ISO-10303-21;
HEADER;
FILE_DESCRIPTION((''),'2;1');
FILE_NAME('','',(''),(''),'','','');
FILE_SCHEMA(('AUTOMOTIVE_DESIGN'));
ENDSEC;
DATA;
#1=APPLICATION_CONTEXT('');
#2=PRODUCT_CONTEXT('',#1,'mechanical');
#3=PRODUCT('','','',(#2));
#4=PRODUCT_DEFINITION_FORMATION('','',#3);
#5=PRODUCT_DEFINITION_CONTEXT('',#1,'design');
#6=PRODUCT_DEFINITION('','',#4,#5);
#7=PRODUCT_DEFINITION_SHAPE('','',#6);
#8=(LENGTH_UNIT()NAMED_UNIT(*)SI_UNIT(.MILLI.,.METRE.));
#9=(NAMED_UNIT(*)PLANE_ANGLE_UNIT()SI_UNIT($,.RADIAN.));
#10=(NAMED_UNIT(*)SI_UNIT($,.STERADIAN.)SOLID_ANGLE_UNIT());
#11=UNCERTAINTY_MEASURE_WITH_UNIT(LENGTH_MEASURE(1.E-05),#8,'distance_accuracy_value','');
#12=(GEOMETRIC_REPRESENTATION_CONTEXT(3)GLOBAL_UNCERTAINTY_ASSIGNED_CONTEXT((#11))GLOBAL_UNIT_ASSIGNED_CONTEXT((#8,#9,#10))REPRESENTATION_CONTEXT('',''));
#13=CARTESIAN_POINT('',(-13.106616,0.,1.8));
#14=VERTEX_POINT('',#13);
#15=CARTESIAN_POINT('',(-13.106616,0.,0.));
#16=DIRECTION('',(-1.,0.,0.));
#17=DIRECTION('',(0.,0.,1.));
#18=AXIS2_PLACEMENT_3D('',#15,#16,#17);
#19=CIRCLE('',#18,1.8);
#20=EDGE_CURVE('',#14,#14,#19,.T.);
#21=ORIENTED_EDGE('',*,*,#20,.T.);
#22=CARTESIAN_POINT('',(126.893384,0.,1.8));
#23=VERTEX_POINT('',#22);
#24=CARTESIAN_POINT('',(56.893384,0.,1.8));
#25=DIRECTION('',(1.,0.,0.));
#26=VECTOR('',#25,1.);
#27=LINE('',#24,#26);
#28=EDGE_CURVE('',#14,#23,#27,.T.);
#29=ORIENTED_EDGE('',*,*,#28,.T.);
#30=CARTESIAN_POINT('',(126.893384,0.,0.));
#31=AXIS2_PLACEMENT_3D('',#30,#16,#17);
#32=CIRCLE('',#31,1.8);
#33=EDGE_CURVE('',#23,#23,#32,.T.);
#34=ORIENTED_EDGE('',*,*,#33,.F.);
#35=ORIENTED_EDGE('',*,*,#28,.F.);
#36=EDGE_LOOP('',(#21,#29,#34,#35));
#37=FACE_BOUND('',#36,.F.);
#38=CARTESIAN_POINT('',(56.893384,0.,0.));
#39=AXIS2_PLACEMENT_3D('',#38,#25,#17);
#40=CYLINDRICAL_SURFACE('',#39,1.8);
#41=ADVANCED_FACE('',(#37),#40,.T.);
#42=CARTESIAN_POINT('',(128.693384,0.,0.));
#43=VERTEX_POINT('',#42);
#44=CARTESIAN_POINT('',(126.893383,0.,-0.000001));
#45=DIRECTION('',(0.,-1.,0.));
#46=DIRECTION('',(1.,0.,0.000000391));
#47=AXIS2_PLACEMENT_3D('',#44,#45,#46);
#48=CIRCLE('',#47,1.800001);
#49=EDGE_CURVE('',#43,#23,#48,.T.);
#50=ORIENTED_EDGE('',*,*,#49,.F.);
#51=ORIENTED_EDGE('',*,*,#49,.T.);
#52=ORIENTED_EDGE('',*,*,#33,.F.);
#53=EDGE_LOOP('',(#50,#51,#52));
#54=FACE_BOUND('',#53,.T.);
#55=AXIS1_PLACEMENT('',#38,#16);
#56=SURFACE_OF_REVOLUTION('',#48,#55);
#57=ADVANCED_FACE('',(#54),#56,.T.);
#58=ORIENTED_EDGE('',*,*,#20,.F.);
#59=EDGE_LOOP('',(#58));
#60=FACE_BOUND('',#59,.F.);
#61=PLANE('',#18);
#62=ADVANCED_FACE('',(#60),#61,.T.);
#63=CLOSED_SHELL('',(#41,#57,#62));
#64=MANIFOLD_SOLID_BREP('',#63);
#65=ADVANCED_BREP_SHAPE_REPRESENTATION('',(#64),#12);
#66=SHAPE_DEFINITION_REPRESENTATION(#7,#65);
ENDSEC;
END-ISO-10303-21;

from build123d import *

# Parameters (mm, degrees)
F0_W = 140
F0_H = 1.8


with BuildPart() as f1:
    # F0 (on Front) → F1 (revolve)
    with BuildSketch(Plane.XZ):
        with Locations((56.893384, 0.9)):
            Rectangle(F0_W, F0_H)
        with BuildLine():
            Line((126.893384, 1.8), (126.893384, 0))
            Line((126.893384, 0), (128.693384, 0))
            ThreePointArc((128.693384, 0), (128.166176, 1.272792), (126.893384, 1.8))
        make_face()
    revolve(axis=Axis((56.893384, 0, 0), (-1, 0, 0)))


solid = f1.part
